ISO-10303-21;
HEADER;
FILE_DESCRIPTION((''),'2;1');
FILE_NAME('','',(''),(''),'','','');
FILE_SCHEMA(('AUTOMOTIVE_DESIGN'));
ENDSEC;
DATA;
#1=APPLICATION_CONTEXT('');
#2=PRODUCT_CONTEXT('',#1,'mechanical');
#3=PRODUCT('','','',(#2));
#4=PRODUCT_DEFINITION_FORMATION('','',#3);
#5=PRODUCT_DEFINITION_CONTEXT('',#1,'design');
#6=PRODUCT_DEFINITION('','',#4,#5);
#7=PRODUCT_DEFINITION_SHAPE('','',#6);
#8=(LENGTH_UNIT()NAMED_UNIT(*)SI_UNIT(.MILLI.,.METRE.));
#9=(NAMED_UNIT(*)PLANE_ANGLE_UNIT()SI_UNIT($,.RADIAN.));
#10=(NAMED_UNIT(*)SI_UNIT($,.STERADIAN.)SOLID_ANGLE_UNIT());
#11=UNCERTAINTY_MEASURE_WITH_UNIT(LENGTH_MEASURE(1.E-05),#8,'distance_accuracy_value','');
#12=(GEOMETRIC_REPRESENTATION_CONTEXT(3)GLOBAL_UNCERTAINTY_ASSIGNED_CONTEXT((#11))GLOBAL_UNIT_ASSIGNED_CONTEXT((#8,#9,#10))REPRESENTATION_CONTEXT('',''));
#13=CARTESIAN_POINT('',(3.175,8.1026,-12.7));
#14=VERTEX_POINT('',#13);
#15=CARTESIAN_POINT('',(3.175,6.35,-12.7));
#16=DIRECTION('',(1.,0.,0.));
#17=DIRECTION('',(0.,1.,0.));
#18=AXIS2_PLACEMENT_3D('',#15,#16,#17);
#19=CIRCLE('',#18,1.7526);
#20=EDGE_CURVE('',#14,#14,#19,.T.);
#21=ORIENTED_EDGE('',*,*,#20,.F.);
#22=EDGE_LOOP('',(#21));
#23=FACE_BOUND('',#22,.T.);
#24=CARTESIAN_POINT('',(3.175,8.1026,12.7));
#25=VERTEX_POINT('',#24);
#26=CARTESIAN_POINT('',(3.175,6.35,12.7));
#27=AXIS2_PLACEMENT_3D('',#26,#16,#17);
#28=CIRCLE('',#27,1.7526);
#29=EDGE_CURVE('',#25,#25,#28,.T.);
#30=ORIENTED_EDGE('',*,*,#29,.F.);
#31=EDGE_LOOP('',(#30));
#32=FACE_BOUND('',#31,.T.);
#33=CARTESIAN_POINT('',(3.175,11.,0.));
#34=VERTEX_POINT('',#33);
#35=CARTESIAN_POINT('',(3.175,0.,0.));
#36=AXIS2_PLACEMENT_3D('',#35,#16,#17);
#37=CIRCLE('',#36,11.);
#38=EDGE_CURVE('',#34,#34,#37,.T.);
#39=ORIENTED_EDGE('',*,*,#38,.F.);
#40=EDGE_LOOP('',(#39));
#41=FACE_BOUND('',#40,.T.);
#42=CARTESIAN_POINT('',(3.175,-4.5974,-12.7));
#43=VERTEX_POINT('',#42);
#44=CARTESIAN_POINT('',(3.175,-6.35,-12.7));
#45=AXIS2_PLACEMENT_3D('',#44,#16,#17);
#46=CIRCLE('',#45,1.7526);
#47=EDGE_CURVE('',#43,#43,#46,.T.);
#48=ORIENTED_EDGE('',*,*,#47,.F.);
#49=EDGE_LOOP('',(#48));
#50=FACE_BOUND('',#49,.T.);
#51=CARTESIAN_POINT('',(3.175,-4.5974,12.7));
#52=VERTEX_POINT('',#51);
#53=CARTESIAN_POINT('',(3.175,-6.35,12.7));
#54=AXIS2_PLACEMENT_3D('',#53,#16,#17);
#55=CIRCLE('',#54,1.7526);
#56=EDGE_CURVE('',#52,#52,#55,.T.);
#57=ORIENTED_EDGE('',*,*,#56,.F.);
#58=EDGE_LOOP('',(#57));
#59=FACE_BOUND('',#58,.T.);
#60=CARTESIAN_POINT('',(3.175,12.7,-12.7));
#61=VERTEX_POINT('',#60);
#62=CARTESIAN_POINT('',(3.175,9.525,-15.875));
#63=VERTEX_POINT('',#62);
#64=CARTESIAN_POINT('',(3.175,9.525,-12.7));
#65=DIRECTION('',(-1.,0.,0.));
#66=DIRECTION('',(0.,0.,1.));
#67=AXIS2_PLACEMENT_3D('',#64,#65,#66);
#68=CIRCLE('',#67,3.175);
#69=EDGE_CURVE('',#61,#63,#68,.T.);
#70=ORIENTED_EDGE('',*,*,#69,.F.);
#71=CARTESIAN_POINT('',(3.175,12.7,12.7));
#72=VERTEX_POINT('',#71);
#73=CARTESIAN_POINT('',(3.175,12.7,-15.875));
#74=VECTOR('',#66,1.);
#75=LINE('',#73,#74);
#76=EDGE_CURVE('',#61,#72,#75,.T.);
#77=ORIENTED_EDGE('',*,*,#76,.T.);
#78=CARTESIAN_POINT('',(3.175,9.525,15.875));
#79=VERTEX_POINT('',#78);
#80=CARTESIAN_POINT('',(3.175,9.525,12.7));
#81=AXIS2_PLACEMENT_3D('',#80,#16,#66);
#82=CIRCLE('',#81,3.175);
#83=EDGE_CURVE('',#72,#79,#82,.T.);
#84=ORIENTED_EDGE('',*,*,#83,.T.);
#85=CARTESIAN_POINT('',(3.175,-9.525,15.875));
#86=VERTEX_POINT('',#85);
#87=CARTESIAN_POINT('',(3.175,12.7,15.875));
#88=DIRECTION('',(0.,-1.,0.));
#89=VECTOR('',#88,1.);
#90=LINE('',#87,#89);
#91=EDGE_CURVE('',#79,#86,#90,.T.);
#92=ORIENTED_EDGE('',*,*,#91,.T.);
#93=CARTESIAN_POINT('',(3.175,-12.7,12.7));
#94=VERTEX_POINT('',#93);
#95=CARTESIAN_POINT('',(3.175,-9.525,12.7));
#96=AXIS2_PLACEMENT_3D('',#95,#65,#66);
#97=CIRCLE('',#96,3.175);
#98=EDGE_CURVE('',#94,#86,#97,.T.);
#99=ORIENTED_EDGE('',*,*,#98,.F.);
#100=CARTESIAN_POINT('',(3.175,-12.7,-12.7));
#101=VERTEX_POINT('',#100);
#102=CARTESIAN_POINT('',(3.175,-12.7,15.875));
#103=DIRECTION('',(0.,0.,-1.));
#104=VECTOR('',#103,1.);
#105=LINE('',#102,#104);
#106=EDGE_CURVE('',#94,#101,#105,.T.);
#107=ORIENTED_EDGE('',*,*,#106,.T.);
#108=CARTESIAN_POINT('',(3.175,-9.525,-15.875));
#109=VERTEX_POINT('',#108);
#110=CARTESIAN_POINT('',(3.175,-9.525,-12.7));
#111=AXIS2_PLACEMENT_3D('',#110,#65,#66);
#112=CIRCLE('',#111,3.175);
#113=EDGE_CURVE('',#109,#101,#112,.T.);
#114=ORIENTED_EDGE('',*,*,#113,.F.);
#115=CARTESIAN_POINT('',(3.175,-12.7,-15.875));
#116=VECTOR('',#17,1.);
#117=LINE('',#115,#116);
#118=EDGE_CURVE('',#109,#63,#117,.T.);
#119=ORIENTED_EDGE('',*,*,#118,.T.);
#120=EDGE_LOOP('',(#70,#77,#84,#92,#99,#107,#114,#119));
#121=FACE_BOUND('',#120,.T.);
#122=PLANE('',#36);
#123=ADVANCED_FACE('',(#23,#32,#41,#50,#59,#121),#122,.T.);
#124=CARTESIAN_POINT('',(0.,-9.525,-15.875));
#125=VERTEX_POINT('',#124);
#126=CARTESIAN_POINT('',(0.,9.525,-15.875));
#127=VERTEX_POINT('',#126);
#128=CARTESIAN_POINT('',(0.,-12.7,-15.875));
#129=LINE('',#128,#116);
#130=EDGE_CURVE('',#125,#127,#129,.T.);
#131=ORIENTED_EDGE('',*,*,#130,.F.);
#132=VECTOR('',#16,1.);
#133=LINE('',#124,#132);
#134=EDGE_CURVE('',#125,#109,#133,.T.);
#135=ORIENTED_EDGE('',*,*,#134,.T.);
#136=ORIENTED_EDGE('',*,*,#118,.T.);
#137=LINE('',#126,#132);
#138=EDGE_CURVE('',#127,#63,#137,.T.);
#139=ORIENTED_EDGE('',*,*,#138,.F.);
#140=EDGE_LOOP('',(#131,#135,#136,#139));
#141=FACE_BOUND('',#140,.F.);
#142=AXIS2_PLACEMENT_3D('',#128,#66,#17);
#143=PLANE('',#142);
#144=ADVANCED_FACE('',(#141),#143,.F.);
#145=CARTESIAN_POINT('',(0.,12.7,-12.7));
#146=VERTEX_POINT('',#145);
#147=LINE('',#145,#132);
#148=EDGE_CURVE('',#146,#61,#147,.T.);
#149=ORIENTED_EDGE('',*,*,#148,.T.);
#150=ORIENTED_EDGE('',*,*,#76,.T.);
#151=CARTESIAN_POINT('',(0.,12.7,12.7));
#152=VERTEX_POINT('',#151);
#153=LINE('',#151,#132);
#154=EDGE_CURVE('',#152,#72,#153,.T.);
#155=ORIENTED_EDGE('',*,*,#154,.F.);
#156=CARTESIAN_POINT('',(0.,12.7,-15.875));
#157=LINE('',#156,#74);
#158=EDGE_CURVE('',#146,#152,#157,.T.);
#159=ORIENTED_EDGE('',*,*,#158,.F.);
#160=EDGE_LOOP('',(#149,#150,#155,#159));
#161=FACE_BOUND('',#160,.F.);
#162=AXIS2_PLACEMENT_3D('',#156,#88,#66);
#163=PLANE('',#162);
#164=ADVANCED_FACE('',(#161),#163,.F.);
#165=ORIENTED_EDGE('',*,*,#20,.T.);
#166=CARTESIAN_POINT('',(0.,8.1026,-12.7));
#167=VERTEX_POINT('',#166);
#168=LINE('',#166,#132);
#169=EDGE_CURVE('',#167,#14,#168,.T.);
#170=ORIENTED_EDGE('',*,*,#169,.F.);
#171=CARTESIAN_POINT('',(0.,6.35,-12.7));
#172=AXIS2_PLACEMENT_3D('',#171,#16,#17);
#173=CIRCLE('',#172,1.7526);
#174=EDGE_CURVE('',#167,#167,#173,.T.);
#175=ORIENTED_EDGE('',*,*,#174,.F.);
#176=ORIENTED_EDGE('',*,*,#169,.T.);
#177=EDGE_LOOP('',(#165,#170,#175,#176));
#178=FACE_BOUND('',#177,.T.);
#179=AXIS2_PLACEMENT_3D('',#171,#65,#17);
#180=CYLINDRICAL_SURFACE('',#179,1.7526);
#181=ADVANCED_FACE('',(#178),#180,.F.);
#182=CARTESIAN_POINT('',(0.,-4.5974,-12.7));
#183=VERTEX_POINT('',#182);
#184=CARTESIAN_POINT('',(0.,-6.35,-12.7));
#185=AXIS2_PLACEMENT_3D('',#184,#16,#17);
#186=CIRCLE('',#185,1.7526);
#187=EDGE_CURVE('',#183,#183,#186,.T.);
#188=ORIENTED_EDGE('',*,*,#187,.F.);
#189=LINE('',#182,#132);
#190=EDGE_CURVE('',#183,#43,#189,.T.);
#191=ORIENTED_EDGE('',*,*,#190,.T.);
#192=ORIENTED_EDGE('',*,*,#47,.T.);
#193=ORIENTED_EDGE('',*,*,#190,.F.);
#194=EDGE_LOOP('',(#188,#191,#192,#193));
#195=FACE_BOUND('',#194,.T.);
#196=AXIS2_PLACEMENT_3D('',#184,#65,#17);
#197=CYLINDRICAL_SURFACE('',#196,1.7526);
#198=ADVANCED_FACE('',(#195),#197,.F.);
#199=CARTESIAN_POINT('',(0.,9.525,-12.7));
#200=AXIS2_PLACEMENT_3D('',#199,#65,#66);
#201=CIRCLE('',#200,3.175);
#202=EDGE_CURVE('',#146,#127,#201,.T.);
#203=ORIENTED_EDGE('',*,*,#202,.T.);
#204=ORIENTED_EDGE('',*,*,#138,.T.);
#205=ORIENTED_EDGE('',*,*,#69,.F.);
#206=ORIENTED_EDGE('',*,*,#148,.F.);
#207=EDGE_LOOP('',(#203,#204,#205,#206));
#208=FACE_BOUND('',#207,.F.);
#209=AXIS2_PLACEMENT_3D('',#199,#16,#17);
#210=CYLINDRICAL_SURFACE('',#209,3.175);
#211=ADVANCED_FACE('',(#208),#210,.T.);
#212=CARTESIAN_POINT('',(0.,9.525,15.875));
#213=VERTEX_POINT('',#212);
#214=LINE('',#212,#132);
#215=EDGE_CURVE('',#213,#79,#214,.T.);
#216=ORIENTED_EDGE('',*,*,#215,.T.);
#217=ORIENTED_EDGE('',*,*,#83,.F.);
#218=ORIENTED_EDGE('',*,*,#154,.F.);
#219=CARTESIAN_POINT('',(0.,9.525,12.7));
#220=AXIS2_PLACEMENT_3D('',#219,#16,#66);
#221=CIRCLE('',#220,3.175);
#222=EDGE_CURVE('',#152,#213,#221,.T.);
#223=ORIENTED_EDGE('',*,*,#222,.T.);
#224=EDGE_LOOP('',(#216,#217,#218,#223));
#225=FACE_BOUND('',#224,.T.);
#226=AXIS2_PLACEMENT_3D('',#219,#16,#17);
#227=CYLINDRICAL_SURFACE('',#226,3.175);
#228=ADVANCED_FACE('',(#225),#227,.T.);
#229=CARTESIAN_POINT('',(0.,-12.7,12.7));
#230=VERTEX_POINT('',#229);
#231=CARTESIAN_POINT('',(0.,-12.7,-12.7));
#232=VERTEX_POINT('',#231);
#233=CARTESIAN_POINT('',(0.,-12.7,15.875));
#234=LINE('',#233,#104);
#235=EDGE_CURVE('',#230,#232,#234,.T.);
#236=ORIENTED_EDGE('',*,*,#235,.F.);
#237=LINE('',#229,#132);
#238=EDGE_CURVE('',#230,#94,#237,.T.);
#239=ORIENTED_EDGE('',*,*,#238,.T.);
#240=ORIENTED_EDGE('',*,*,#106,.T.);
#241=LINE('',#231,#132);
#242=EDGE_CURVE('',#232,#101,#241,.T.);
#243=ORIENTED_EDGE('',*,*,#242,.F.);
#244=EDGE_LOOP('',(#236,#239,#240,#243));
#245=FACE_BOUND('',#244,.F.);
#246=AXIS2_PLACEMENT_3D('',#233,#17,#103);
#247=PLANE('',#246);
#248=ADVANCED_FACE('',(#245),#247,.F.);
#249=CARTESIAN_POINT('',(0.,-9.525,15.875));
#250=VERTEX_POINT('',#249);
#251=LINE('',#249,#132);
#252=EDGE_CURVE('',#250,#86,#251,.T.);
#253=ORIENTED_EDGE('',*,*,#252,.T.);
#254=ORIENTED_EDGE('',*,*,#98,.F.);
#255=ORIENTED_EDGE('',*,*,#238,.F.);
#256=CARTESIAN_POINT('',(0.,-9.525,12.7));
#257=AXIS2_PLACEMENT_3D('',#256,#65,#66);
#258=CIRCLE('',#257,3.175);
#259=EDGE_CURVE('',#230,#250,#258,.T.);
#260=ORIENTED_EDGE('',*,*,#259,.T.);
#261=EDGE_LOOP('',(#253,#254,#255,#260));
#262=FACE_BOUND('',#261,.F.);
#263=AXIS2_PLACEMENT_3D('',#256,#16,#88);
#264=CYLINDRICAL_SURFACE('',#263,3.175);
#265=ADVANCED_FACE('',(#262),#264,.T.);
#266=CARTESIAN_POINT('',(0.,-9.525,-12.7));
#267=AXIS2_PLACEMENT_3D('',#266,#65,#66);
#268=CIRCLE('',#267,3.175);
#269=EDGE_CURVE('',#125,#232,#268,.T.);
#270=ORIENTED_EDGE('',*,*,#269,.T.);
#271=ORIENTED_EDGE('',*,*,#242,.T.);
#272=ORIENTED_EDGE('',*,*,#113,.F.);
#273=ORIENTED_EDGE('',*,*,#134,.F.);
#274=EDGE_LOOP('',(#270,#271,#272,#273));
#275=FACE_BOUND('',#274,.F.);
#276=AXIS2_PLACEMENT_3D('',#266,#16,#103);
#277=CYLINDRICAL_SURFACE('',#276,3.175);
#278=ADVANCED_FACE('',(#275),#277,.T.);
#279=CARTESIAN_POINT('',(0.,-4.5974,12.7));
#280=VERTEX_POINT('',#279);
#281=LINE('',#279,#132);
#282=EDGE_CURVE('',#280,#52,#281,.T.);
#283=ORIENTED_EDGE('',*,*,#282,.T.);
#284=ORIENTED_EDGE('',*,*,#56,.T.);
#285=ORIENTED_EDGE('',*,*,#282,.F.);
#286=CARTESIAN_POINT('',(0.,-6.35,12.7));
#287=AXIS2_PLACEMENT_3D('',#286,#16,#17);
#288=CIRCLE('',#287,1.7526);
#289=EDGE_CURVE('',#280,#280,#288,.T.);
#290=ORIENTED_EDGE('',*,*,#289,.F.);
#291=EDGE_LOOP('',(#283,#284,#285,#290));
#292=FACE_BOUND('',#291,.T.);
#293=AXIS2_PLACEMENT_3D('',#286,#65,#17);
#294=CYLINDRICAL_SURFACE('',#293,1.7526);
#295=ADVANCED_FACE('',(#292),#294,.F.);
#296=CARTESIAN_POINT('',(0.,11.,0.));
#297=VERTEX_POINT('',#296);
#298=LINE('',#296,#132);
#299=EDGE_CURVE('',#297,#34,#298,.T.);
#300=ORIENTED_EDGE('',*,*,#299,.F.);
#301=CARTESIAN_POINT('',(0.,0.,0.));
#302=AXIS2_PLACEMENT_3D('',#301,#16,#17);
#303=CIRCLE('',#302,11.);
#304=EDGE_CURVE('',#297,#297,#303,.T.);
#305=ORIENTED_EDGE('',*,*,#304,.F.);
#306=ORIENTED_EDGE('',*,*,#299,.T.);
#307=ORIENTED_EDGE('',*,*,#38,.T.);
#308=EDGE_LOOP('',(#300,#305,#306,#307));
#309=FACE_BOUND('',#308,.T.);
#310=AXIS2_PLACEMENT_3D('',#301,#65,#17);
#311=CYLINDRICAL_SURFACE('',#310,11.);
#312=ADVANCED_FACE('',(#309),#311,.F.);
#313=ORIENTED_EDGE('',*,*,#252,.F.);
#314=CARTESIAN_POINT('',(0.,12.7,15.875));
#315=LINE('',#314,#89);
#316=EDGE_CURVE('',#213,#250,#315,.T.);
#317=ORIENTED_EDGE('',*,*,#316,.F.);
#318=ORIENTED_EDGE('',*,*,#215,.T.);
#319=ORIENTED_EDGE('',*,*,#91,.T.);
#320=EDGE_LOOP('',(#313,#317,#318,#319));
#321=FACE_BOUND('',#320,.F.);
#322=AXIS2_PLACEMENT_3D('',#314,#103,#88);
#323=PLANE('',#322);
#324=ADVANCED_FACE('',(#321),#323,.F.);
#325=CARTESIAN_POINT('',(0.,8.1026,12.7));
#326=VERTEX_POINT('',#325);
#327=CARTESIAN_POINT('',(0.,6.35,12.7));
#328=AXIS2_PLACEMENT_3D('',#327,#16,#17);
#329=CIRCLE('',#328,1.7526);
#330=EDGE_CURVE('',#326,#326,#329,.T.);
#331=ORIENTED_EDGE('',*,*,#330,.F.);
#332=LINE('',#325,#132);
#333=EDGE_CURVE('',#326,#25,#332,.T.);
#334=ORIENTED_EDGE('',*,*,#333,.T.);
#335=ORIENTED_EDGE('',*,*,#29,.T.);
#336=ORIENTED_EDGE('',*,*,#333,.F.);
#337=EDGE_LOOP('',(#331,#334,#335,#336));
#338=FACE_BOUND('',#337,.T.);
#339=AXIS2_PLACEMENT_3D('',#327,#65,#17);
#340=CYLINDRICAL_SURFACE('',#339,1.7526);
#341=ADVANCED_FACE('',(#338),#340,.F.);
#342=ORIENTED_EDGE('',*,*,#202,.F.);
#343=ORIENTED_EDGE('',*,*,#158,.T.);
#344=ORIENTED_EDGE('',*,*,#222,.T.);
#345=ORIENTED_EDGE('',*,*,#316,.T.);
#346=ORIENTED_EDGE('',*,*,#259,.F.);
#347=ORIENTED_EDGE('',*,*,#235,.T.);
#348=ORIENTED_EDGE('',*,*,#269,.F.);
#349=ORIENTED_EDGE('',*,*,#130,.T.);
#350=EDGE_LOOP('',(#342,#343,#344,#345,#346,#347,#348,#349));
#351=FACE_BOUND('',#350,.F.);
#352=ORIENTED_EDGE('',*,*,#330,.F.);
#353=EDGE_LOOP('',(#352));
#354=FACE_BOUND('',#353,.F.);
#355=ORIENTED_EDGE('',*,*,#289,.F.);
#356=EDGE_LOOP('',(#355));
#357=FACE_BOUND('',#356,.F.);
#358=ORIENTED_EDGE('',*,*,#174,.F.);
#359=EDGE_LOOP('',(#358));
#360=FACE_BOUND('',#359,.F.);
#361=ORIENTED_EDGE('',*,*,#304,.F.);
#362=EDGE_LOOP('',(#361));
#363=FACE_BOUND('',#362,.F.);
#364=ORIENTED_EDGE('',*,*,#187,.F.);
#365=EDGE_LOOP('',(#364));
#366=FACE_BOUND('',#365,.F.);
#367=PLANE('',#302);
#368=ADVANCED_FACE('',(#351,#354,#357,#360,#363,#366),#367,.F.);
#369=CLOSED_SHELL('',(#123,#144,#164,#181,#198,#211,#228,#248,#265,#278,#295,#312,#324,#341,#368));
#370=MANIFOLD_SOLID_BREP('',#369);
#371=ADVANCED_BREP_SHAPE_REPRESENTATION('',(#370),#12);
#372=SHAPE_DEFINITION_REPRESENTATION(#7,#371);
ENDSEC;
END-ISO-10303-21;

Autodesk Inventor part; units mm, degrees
ref_plane "YZ Plane" through (0, 0, 0) normal (1, 0, 0) x (0, 1, 0)
ref_plane "XZ Plane" through (0, 0, 0) normal (0, 1, 0) x (-1, 0, 0)
ref_plane "XY Plane" through (0, 0, 0) normal (0, 0, 1) x (1, 0, 0)
sketch "Sketch1" plane through (0, 0, 0) normal (1, 0, 0) x (0, 1, 0)
  circle A0 centre (0, 0) radius 11
  line L0 (0, 0) -> (0, -12.7) construction
  line L1 (0, -12.7) -> (6.35, -12.7) construction
  circle A1 centre (6.35, -12.7) radius 1.7526
  circle A2 centre (-6.35, -12.7) radius 1.7526
  circle A3 centre (6.35, 12.7) radius 1.7526
  circle A4 centre (-6.35, 12.7) radius 1.7526
  line L2 (12.7, 15.875) -> (-12.7, 15.875)
  line L3 (-12.7, 15.875) -> (-12.7, -15.875)
  line L4 (-12.7, -15.875) -> (12.7, -15.875)
  line L5 (12.7, -15.875) -> (12.7, 15.875)
  line L6 (12.7, 15.875) -> (-12.7, -15.875) construction
  line L7 (-12.7, 15.875) -> (12.7, -15.875) construction
  line L8 (0, 0) -> (9, 0) construction
  dimension "d0" = 22
  dimension "d1" = 12.7
  dimension "d2" = 6.35
  dimension "d3" = 3.5052
  dimension "d6" = 12.7
  dimension "d9" = 25.4
  dimension "d12" = 25.4
  dimension "d13" = 31.75
  dimension "d15" = 9
extrude "Extrusion1" add sketch "Sketch1" along normal blind 3.175
fillet "Fillet1" radius 3.175 4 edges at (1.5875, 12.7, 15.875) (1.5875, -12.7, 15.875) (1.5875, 12.7, -15.875) (1.5875, -12.7, -15.875)
equation "\"d9\" = 2 * d1"
properties part number "Motor Plates" material "UHMW, Black"
